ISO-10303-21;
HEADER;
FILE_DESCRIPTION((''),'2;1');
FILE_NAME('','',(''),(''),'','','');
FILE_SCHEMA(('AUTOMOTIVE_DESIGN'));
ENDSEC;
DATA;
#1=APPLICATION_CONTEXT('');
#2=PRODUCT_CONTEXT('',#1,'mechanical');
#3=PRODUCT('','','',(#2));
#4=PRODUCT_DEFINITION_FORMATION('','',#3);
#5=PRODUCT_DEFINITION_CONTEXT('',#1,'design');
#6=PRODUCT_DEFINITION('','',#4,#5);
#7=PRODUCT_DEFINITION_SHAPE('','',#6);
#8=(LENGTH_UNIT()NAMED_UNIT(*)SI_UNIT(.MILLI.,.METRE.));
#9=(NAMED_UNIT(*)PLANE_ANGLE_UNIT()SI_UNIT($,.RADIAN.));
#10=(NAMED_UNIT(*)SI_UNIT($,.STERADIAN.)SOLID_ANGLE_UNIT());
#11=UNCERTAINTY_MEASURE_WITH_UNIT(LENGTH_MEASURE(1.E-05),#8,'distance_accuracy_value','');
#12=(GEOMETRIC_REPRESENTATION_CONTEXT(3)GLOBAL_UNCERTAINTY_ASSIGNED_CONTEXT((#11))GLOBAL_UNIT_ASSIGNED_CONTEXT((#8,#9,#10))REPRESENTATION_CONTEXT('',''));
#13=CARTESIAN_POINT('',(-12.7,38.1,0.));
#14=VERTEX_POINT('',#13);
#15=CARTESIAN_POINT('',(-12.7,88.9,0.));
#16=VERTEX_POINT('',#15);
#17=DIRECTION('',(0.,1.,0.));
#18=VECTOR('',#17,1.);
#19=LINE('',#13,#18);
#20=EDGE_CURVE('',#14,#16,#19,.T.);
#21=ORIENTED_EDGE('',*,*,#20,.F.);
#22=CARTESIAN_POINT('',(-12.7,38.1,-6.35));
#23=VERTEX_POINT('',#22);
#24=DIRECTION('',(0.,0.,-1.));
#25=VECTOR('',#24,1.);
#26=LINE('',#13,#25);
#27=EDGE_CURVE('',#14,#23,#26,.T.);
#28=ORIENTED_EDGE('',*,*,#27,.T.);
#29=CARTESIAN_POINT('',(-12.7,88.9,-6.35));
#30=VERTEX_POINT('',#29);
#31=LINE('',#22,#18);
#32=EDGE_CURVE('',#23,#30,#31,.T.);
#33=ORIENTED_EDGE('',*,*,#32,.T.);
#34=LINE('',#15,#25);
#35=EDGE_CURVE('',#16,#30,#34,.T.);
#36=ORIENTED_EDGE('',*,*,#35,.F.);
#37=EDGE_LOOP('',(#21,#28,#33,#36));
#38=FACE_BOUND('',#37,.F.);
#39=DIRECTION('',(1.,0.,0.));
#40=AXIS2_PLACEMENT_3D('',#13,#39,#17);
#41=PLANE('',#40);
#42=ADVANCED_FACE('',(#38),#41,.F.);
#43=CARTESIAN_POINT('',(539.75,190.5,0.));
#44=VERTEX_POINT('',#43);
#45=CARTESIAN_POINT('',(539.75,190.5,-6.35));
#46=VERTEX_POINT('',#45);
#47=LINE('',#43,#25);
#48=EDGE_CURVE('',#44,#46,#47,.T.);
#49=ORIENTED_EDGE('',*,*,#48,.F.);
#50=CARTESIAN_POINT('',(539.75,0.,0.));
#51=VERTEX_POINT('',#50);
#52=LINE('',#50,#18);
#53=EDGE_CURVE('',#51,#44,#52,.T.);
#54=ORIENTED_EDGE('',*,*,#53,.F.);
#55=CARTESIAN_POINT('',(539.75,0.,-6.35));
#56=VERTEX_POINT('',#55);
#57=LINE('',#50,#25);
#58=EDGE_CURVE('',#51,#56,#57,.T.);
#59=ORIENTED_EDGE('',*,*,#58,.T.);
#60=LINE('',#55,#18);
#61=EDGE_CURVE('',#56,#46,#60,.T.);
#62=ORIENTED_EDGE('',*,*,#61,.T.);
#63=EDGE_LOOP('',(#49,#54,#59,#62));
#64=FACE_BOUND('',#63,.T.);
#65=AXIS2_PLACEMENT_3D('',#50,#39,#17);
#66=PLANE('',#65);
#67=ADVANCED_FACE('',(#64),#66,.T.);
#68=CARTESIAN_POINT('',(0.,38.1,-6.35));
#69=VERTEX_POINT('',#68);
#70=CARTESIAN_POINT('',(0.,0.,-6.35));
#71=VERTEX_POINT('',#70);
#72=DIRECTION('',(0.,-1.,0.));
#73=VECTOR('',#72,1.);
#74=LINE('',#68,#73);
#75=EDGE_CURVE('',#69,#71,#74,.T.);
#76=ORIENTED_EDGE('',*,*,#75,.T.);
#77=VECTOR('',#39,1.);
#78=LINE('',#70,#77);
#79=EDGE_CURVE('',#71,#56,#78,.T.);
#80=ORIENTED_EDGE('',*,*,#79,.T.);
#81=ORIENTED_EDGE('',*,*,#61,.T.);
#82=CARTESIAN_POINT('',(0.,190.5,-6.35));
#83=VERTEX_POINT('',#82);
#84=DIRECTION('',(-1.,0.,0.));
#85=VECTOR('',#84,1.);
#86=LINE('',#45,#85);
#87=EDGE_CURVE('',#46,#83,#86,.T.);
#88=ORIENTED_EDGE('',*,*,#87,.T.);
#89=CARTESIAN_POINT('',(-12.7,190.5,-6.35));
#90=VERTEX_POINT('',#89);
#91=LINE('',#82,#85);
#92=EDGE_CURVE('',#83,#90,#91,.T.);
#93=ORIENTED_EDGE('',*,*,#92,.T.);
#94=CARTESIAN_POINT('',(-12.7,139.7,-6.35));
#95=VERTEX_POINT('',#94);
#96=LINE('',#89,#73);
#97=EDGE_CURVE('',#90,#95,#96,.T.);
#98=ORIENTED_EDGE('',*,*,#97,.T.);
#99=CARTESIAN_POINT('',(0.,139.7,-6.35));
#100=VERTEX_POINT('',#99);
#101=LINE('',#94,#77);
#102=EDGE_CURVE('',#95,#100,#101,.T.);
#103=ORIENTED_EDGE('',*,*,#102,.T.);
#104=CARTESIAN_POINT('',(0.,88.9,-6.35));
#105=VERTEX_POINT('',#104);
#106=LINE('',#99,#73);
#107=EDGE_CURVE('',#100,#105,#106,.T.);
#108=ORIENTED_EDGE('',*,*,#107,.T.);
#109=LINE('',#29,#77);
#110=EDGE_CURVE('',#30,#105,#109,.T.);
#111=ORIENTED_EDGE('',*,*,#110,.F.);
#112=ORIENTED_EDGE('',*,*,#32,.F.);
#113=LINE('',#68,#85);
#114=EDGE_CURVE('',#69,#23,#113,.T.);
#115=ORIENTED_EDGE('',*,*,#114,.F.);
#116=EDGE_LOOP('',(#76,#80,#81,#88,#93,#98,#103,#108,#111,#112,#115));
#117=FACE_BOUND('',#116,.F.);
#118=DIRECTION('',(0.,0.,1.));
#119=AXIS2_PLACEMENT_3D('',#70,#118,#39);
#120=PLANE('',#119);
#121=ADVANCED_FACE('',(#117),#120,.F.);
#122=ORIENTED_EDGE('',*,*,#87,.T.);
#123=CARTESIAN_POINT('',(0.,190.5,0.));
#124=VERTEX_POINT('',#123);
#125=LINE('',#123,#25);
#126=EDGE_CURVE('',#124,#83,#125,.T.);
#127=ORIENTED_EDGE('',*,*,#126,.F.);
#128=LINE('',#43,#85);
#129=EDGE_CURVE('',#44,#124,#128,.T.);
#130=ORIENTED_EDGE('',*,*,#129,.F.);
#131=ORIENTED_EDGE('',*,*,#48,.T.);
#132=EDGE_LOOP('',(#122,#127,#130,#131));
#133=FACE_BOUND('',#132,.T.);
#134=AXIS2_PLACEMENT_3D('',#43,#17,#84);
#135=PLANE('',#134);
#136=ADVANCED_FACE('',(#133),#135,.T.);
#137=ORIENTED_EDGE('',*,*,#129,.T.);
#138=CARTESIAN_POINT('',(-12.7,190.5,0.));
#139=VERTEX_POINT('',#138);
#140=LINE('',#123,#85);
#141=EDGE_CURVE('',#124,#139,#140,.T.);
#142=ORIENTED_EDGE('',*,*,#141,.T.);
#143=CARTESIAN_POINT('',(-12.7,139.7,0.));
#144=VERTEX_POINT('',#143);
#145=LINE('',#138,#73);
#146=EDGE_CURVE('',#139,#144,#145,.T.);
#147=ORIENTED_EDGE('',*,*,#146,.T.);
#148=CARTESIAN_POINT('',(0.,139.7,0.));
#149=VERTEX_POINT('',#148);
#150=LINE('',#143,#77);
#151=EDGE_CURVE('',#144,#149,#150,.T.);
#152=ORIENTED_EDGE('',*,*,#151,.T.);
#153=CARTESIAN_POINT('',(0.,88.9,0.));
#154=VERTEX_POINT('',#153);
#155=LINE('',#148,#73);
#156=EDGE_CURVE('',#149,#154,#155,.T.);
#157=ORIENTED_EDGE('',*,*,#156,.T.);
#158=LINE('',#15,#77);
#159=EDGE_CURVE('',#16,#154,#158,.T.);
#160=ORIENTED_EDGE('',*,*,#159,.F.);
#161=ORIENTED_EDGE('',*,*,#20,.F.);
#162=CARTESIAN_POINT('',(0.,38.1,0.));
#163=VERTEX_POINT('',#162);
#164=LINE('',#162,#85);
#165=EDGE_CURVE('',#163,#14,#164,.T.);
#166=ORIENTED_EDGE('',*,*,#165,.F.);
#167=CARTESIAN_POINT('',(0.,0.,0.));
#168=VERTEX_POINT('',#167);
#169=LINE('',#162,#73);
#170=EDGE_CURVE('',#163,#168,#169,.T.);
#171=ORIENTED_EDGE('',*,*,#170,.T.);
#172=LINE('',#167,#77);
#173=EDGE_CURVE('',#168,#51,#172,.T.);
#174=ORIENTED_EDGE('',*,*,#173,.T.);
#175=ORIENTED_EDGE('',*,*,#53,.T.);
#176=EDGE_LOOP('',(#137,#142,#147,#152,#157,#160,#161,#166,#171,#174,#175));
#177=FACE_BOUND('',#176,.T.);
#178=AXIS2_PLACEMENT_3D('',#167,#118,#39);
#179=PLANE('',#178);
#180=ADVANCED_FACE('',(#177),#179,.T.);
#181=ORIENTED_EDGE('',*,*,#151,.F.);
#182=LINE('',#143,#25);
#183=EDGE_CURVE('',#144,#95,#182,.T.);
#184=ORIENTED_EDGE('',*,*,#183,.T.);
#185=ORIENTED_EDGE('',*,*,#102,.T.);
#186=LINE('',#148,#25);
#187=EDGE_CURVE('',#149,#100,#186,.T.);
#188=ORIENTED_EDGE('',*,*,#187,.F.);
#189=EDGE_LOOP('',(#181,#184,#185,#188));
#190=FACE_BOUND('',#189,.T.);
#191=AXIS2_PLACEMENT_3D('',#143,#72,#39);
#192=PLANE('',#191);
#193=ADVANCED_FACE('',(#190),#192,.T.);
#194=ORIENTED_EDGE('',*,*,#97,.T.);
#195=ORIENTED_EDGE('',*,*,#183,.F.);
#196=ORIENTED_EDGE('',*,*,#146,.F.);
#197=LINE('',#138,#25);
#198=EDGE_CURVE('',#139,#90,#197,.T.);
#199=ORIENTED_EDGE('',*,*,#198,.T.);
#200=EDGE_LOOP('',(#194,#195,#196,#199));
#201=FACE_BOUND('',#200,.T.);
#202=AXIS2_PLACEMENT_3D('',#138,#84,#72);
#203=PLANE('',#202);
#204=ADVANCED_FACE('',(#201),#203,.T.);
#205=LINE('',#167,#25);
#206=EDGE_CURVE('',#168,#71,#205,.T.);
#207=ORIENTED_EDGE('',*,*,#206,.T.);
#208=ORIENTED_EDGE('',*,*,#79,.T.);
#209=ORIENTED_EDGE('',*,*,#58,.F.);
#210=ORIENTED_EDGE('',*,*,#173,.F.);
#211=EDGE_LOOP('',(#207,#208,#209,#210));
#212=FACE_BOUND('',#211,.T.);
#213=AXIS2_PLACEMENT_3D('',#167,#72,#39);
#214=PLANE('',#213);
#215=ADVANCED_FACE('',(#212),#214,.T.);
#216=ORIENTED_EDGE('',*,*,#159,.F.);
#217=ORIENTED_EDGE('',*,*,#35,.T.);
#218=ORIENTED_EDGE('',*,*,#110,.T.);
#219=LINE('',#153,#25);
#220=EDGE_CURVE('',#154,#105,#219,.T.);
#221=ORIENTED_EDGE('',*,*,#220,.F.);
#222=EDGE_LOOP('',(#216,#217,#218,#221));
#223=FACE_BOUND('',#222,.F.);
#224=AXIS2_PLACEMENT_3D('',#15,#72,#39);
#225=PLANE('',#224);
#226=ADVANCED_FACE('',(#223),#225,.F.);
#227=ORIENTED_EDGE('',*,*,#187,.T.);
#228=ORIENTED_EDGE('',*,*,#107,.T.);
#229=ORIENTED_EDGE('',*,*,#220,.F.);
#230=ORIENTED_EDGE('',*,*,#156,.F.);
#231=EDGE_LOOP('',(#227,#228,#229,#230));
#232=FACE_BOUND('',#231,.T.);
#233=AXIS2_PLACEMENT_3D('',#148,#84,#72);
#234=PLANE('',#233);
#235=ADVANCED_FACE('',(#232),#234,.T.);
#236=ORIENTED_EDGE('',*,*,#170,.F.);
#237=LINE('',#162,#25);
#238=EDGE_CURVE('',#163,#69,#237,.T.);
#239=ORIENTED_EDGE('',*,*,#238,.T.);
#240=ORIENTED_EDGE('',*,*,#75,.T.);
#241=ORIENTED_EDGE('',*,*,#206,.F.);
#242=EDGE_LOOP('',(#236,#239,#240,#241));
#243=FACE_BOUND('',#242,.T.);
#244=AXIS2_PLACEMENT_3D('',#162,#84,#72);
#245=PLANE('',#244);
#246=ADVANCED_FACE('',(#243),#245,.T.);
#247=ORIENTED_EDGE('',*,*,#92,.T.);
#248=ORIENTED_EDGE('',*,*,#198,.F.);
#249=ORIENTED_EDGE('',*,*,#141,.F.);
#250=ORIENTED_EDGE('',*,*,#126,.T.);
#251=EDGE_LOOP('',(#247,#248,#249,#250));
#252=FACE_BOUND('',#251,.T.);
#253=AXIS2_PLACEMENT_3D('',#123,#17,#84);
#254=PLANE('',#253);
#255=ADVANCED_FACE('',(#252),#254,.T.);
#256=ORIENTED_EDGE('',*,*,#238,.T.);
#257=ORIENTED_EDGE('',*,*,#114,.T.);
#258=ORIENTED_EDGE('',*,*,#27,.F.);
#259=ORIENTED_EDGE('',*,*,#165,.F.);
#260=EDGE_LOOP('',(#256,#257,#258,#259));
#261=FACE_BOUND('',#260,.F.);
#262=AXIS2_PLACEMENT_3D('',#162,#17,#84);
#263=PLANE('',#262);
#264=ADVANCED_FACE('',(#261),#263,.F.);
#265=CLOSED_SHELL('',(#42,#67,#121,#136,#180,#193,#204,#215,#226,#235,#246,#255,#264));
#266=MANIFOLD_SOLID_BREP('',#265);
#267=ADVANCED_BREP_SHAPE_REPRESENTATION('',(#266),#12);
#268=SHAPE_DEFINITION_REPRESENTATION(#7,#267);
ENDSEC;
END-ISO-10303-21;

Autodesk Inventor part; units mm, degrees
ref_plane "YZ Plane" through (0, 0, 0) normal (1, 0, 0) x (0, 1, 0)
ref_plane "XZ Plane" through (0, 0, 0) normal (0, 1, 0) x (-1, 0, 0)
ref_plane "XY Plane" through (0, 0, 0) normal (0, 0, 1) x (1, 0, 0)
sketch "Sketch1" plane through (0, 0, 0) normal (0, 0, 1) x (1, 0, 0)
  line L0 (0, 0) -> (539.75, 0)
  line L1 (539.75, 0) -> (539.75, 190.5)
  line L2 (539.75, 190.5) -> (0, 190.5)
  line L3 (0, 38.1) -> (-12.7, 38.1)
  line L4 (-12.7, 38.1) -> (-12.7, 88.9)
  line L5 (-12.7, 88.9) -> (0, 88.9)
  line L6 (0, 190.5) -> (-12.7, 190.5)
  line L7 (-12.7, 190.5) -> (-12.7, 139.7)
  line L8 (-12.7, 139.7) -> (0, 139.7)
  line L9 (0, 139.7) -> (0, 190.5) construction
  line L10 (0, 139.7) -> (0, 88.9)
  line L11 (0, 88.9) -> (0, 38.1) construction
  line L12 (0, 38.1) -> (0, 0)
  dimension "d0" = 190.5
  dimension "d1" = 539.75
  dimension "d10" = 12.7
  dimension "d11" = 50.8
  dimension "d12" = 50.8
  dimension "d13" = 50.8
extrude "Extrusion1" add sketch "Sketch1" against normal blind 6.35
properties part number "manipulator side pannel 2"
